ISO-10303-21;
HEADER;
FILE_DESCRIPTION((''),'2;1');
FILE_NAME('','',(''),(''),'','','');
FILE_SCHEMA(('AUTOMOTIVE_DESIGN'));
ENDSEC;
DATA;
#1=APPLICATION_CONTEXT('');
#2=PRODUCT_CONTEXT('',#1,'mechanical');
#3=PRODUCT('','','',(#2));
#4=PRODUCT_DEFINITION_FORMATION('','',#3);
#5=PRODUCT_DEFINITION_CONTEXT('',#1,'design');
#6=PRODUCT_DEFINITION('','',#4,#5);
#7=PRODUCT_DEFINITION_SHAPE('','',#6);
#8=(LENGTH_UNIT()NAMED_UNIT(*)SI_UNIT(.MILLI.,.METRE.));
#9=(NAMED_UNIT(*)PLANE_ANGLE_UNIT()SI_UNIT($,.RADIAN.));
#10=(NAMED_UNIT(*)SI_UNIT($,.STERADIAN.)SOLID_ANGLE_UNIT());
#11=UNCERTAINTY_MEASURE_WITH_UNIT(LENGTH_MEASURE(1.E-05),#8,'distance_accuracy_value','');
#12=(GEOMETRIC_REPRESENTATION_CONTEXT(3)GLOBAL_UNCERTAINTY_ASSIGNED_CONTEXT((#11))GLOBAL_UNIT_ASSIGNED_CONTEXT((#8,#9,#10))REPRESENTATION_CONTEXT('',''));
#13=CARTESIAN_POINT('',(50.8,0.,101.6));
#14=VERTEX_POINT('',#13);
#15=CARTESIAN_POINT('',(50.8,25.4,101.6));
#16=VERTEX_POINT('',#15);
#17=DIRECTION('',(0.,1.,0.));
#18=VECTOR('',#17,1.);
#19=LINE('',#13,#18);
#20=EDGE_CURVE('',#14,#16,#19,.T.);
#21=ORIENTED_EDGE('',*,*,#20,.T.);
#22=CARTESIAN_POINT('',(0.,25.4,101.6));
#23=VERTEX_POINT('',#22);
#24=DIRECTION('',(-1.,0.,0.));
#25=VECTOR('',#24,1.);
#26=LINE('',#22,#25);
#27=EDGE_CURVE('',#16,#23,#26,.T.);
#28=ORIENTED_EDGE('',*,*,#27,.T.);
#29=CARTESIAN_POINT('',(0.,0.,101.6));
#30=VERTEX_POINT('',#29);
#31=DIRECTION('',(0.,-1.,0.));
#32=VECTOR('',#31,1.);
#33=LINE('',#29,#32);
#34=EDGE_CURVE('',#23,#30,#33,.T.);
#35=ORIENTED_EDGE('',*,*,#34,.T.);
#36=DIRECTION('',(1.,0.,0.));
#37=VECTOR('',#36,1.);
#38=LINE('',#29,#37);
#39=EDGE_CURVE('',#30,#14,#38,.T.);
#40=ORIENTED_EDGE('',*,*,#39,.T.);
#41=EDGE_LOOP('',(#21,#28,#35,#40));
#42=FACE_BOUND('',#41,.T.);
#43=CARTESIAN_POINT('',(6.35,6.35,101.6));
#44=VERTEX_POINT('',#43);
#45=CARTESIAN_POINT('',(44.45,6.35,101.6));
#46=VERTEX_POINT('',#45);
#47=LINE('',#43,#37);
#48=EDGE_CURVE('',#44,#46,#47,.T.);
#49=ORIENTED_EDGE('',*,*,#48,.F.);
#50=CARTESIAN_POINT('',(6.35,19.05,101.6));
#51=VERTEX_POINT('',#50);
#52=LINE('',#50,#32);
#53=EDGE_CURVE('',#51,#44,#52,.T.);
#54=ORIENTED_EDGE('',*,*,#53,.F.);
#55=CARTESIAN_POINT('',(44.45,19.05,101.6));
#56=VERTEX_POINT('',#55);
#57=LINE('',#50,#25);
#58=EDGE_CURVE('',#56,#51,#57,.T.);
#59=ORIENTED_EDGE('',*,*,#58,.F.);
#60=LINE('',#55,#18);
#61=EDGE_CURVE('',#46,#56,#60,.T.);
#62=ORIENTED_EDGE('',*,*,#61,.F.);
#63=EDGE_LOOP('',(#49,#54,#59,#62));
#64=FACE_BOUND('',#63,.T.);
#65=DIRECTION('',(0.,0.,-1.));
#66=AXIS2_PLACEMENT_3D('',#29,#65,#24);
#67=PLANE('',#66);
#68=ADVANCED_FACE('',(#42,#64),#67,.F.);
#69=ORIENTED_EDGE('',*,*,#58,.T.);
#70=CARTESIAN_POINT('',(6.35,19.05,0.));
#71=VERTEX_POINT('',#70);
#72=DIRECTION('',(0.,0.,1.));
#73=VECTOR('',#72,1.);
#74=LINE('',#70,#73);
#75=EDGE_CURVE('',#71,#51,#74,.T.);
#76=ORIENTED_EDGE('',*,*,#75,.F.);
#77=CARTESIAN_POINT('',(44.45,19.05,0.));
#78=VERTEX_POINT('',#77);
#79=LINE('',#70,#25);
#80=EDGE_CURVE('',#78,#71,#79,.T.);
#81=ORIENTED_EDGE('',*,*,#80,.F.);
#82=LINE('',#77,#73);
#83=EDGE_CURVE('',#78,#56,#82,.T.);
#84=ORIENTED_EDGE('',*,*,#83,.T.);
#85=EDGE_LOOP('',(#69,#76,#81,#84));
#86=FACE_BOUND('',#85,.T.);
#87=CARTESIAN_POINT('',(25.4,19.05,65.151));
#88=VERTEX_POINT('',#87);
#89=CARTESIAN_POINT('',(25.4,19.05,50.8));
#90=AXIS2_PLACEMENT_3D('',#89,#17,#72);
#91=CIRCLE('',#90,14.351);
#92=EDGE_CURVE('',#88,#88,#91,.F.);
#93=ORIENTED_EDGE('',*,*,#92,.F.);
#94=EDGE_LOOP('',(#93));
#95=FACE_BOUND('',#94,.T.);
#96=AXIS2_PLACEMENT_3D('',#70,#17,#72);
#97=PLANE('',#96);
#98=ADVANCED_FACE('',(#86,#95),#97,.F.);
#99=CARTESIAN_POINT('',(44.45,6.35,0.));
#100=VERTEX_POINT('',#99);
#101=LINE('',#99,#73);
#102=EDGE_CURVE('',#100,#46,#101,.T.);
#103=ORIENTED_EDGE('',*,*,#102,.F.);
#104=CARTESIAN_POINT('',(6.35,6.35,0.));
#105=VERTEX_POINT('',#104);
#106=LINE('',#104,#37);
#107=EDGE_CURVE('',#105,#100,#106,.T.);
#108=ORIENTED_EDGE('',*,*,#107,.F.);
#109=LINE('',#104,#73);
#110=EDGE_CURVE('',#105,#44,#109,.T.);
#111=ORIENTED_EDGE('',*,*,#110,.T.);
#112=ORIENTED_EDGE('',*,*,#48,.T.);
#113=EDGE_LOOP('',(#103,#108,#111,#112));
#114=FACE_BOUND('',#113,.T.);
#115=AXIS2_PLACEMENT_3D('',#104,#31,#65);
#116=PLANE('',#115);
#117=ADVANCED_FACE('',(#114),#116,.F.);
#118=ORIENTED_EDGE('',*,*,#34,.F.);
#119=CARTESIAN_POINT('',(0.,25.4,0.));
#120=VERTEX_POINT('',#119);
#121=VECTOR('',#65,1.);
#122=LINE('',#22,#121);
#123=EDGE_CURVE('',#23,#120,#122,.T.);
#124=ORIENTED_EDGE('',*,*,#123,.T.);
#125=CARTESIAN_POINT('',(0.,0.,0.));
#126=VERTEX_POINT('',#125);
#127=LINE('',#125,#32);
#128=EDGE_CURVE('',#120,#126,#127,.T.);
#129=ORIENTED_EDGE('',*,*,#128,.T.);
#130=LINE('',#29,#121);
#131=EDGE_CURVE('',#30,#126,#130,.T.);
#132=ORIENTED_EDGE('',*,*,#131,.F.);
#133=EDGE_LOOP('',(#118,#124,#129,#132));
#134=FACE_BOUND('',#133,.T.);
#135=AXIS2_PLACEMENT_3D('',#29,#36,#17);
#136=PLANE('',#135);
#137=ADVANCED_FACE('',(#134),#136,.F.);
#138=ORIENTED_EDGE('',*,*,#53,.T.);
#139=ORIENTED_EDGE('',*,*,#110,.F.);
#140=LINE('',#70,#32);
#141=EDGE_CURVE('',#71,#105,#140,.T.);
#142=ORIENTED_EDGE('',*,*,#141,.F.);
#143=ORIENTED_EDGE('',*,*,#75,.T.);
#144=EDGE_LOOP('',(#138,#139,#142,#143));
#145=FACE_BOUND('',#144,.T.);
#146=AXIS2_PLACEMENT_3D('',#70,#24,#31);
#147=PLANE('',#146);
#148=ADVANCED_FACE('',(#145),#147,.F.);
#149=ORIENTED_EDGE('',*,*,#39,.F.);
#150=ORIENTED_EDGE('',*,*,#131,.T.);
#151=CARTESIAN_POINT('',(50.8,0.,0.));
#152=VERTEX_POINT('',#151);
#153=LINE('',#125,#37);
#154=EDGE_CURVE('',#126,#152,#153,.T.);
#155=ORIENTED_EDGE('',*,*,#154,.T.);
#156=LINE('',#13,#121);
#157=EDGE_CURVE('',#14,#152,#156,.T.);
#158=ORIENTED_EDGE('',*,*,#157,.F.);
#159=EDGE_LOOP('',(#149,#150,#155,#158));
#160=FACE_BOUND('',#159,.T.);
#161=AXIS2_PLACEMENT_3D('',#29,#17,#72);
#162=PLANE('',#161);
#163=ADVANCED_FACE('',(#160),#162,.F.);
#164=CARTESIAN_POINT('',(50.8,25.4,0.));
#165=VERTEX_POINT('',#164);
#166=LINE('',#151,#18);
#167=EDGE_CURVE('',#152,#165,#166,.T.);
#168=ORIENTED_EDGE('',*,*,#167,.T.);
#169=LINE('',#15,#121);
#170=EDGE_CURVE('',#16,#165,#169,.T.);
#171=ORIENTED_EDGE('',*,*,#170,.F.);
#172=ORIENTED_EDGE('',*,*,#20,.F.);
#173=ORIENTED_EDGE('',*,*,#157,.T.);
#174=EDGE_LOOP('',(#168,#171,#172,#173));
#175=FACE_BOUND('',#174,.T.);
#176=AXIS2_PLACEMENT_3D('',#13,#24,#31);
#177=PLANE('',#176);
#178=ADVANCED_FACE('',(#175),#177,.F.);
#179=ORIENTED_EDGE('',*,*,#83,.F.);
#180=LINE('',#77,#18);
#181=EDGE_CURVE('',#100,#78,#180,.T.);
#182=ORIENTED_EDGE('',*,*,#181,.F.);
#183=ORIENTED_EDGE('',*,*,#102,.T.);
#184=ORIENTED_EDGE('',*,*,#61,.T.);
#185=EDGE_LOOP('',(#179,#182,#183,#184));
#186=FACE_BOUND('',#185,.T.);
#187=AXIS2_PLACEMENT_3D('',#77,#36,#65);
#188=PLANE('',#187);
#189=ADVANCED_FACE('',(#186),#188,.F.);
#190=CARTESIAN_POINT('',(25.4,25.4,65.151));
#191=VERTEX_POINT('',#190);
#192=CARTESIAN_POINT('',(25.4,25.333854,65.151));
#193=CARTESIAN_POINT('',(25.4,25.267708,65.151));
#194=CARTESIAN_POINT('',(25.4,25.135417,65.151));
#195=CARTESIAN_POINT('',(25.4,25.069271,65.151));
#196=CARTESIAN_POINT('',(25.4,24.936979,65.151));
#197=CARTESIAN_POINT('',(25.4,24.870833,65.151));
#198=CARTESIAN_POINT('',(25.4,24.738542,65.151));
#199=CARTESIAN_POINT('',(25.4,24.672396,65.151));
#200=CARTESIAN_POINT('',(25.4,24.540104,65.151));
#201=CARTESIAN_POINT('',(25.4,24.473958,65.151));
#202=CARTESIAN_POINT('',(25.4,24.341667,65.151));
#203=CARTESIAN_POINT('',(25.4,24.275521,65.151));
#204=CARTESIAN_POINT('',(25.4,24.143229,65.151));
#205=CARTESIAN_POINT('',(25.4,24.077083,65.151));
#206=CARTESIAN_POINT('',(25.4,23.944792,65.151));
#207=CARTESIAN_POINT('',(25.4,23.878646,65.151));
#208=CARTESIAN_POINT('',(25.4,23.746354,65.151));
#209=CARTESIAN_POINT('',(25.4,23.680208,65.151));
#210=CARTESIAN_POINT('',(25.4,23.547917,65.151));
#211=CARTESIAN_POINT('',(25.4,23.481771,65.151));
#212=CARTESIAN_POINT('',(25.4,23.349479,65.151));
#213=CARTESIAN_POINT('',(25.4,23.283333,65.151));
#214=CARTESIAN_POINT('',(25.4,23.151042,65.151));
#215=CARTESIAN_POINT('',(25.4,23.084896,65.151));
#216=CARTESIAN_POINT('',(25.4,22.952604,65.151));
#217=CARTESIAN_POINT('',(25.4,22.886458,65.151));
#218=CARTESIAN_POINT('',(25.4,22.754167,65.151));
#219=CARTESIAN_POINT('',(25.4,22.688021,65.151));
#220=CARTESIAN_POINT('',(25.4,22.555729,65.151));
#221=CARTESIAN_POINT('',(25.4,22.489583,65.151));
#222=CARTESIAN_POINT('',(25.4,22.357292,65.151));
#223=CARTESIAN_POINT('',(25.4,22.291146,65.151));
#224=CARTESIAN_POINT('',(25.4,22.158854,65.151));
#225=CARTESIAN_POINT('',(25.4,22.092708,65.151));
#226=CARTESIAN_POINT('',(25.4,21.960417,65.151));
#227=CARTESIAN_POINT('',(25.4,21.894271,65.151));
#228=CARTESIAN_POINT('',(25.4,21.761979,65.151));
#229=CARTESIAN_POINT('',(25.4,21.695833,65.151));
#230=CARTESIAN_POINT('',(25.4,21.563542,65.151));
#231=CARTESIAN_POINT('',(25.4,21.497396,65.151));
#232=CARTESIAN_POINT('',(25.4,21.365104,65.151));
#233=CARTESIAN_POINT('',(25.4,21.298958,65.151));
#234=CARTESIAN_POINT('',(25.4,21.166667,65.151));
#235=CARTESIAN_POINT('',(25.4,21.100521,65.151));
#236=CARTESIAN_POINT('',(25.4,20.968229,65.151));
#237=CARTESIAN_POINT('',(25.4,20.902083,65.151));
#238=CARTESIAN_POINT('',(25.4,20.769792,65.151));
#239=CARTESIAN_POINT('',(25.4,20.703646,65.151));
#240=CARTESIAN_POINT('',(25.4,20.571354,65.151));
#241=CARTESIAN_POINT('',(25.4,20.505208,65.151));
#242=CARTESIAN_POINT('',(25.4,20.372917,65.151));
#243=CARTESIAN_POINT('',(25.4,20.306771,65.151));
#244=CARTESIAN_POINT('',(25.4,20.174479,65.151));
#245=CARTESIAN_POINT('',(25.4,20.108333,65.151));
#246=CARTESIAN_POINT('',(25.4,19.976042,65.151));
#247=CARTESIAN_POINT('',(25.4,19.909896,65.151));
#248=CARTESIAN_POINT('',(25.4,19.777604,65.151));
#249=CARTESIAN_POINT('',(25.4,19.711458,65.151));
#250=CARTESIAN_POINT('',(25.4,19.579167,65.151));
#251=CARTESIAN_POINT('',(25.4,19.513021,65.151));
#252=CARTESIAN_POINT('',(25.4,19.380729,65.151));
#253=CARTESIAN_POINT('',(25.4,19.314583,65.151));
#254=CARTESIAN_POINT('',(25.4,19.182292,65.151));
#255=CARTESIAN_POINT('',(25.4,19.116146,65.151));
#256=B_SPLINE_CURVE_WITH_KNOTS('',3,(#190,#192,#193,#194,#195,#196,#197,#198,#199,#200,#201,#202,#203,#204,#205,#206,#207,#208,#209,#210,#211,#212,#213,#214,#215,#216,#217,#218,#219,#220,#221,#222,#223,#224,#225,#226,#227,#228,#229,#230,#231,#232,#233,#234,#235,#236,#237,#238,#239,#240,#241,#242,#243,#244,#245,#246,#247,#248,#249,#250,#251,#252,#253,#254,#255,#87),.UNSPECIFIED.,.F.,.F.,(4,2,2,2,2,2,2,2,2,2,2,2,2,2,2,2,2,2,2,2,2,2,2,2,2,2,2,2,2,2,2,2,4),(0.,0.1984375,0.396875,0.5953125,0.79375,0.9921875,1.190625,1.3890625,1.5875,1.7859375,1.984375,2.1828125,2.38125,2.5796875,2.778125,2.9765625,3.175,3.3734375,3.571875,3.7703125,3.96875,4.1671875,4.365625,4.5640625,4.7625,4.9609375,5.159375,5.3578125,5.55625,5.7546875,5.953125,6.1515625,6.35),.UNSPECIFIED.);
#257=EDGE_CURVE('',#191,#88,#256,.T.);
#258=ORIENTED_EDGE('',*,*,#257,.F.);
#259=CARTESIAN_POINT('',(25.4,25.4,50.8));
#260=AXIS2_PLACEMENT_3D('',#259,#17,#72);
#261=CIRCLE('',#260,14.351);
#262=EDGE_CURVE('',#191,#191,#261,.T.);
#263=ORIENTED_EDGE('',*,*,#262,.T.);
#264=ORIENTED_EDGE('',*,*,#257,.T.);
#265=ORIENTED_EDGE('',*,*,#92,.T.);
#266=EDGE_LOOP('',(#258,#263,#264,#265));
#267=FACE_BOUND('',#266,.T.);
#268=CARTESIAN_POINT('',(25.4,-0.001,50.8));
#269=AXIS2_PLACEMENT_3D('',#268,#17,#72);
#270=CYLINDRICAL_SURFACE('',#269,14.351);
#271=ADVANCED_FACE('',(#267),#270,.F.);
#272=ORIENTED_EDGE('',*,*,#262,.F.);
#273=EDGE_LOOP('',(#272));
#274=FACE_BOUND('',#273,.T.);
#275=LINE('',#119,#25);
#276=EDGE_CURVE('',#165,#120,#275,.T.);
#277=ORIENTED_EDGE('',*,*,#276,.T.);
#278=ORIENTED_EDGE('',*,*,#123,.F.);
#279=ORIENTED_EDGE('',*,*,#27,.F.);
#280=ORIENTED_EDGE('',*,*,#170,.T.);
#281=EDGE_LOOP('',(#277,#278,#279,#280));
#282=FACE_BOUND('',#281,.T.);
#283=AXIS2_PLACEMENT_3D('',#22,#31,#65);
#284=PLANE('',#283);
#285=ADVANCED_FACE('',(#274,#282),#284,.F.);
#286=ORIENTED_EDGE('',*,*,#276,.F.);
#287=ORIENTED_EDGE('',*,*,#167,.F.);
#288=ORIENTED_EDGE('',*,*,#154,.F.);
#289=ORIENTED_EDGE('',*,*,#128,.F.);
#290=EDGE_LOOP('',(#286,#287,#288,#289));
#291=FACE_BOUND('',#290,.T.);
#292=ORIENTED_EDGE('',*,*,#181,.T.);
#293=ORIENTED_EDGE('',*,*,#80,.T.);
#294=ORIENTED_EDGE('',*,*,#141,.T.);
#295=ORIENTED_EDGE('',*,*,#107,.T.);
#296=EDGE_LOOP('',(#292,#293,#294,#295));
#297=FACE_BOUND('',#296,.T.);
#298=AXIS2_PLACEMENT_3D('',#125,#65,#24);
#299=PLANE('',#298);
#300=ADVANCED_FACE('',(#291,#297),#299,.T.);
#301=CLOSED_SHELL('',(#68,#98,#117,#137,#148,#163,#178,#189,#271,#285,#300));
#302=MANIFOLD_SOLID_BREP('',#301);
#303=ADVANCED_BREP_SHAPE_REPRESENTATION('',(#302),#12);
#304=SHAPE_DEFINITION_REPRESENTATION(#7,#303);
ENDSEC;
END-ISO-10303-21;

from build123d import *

# Parameters (mm, degrees)
SKETCH1_W           = 50.8
SKETCH1_H           = 25.4
BOSS_EXTRUDE1_DEPTH = 101.6
SKETCH2_W           = 38.1
SKETCH2_H           = 12.7
CUT_EXTRUDE1_DEPTH  = 117.397422652
CUT_EXTRUDE3_REACH  = 118.397
SKETCH5_R           = 14.351


with BuildPart() as part:
    # Sketch1 → Boss-Extrude1 (new body)
    with BuildSketch(Plane.XY):
        with Locations((25.4, 12.7)):
            Rectangle(SKETCH1_W, SKETCH1_H)
    extrude(amount=BOSS_EXTRUDE1_DEPTH)

    # Sketch2 → Cut-Extrude1 (cut, through all)
    with BuildSketch(Plane.XY.offset(101.6)):
        with Locations((25.4, 12.7)):
            Rectangle(SKETCH2_W, SKETCH2_H)
    extrude(amount=-CUT_EXTRUDE1_DEPTH, mode=Mode.SUBTRACT)

    # Sketch5 → Cut-Extrude3 (cut, up to next)
    with BuildSketch(Plane(origin=(0, 25.4, 0), x_dir=(1, 0, 0), z_dir=(0, 1, 0)), mode=Mode.PRIVATE) as cut_extrude3_sk1:
        with Locations(Location((25.4, -50.8, 0), (0, 0, 270))):
            Circle(SKETCH5_R)
    cut_extrude3_tool1 = extrude(cut_extrude3_sk1.sketch, amount=-CUT_EXTRUDE3_REACH, mode=Mode.PRIVATE) & part.part
    add(cut_extrude3_tool1.solids().sort_by_distance((25.4, 25.4, 50.8))[0], mode=Mode.SUBTRACT)


solid = part.part
